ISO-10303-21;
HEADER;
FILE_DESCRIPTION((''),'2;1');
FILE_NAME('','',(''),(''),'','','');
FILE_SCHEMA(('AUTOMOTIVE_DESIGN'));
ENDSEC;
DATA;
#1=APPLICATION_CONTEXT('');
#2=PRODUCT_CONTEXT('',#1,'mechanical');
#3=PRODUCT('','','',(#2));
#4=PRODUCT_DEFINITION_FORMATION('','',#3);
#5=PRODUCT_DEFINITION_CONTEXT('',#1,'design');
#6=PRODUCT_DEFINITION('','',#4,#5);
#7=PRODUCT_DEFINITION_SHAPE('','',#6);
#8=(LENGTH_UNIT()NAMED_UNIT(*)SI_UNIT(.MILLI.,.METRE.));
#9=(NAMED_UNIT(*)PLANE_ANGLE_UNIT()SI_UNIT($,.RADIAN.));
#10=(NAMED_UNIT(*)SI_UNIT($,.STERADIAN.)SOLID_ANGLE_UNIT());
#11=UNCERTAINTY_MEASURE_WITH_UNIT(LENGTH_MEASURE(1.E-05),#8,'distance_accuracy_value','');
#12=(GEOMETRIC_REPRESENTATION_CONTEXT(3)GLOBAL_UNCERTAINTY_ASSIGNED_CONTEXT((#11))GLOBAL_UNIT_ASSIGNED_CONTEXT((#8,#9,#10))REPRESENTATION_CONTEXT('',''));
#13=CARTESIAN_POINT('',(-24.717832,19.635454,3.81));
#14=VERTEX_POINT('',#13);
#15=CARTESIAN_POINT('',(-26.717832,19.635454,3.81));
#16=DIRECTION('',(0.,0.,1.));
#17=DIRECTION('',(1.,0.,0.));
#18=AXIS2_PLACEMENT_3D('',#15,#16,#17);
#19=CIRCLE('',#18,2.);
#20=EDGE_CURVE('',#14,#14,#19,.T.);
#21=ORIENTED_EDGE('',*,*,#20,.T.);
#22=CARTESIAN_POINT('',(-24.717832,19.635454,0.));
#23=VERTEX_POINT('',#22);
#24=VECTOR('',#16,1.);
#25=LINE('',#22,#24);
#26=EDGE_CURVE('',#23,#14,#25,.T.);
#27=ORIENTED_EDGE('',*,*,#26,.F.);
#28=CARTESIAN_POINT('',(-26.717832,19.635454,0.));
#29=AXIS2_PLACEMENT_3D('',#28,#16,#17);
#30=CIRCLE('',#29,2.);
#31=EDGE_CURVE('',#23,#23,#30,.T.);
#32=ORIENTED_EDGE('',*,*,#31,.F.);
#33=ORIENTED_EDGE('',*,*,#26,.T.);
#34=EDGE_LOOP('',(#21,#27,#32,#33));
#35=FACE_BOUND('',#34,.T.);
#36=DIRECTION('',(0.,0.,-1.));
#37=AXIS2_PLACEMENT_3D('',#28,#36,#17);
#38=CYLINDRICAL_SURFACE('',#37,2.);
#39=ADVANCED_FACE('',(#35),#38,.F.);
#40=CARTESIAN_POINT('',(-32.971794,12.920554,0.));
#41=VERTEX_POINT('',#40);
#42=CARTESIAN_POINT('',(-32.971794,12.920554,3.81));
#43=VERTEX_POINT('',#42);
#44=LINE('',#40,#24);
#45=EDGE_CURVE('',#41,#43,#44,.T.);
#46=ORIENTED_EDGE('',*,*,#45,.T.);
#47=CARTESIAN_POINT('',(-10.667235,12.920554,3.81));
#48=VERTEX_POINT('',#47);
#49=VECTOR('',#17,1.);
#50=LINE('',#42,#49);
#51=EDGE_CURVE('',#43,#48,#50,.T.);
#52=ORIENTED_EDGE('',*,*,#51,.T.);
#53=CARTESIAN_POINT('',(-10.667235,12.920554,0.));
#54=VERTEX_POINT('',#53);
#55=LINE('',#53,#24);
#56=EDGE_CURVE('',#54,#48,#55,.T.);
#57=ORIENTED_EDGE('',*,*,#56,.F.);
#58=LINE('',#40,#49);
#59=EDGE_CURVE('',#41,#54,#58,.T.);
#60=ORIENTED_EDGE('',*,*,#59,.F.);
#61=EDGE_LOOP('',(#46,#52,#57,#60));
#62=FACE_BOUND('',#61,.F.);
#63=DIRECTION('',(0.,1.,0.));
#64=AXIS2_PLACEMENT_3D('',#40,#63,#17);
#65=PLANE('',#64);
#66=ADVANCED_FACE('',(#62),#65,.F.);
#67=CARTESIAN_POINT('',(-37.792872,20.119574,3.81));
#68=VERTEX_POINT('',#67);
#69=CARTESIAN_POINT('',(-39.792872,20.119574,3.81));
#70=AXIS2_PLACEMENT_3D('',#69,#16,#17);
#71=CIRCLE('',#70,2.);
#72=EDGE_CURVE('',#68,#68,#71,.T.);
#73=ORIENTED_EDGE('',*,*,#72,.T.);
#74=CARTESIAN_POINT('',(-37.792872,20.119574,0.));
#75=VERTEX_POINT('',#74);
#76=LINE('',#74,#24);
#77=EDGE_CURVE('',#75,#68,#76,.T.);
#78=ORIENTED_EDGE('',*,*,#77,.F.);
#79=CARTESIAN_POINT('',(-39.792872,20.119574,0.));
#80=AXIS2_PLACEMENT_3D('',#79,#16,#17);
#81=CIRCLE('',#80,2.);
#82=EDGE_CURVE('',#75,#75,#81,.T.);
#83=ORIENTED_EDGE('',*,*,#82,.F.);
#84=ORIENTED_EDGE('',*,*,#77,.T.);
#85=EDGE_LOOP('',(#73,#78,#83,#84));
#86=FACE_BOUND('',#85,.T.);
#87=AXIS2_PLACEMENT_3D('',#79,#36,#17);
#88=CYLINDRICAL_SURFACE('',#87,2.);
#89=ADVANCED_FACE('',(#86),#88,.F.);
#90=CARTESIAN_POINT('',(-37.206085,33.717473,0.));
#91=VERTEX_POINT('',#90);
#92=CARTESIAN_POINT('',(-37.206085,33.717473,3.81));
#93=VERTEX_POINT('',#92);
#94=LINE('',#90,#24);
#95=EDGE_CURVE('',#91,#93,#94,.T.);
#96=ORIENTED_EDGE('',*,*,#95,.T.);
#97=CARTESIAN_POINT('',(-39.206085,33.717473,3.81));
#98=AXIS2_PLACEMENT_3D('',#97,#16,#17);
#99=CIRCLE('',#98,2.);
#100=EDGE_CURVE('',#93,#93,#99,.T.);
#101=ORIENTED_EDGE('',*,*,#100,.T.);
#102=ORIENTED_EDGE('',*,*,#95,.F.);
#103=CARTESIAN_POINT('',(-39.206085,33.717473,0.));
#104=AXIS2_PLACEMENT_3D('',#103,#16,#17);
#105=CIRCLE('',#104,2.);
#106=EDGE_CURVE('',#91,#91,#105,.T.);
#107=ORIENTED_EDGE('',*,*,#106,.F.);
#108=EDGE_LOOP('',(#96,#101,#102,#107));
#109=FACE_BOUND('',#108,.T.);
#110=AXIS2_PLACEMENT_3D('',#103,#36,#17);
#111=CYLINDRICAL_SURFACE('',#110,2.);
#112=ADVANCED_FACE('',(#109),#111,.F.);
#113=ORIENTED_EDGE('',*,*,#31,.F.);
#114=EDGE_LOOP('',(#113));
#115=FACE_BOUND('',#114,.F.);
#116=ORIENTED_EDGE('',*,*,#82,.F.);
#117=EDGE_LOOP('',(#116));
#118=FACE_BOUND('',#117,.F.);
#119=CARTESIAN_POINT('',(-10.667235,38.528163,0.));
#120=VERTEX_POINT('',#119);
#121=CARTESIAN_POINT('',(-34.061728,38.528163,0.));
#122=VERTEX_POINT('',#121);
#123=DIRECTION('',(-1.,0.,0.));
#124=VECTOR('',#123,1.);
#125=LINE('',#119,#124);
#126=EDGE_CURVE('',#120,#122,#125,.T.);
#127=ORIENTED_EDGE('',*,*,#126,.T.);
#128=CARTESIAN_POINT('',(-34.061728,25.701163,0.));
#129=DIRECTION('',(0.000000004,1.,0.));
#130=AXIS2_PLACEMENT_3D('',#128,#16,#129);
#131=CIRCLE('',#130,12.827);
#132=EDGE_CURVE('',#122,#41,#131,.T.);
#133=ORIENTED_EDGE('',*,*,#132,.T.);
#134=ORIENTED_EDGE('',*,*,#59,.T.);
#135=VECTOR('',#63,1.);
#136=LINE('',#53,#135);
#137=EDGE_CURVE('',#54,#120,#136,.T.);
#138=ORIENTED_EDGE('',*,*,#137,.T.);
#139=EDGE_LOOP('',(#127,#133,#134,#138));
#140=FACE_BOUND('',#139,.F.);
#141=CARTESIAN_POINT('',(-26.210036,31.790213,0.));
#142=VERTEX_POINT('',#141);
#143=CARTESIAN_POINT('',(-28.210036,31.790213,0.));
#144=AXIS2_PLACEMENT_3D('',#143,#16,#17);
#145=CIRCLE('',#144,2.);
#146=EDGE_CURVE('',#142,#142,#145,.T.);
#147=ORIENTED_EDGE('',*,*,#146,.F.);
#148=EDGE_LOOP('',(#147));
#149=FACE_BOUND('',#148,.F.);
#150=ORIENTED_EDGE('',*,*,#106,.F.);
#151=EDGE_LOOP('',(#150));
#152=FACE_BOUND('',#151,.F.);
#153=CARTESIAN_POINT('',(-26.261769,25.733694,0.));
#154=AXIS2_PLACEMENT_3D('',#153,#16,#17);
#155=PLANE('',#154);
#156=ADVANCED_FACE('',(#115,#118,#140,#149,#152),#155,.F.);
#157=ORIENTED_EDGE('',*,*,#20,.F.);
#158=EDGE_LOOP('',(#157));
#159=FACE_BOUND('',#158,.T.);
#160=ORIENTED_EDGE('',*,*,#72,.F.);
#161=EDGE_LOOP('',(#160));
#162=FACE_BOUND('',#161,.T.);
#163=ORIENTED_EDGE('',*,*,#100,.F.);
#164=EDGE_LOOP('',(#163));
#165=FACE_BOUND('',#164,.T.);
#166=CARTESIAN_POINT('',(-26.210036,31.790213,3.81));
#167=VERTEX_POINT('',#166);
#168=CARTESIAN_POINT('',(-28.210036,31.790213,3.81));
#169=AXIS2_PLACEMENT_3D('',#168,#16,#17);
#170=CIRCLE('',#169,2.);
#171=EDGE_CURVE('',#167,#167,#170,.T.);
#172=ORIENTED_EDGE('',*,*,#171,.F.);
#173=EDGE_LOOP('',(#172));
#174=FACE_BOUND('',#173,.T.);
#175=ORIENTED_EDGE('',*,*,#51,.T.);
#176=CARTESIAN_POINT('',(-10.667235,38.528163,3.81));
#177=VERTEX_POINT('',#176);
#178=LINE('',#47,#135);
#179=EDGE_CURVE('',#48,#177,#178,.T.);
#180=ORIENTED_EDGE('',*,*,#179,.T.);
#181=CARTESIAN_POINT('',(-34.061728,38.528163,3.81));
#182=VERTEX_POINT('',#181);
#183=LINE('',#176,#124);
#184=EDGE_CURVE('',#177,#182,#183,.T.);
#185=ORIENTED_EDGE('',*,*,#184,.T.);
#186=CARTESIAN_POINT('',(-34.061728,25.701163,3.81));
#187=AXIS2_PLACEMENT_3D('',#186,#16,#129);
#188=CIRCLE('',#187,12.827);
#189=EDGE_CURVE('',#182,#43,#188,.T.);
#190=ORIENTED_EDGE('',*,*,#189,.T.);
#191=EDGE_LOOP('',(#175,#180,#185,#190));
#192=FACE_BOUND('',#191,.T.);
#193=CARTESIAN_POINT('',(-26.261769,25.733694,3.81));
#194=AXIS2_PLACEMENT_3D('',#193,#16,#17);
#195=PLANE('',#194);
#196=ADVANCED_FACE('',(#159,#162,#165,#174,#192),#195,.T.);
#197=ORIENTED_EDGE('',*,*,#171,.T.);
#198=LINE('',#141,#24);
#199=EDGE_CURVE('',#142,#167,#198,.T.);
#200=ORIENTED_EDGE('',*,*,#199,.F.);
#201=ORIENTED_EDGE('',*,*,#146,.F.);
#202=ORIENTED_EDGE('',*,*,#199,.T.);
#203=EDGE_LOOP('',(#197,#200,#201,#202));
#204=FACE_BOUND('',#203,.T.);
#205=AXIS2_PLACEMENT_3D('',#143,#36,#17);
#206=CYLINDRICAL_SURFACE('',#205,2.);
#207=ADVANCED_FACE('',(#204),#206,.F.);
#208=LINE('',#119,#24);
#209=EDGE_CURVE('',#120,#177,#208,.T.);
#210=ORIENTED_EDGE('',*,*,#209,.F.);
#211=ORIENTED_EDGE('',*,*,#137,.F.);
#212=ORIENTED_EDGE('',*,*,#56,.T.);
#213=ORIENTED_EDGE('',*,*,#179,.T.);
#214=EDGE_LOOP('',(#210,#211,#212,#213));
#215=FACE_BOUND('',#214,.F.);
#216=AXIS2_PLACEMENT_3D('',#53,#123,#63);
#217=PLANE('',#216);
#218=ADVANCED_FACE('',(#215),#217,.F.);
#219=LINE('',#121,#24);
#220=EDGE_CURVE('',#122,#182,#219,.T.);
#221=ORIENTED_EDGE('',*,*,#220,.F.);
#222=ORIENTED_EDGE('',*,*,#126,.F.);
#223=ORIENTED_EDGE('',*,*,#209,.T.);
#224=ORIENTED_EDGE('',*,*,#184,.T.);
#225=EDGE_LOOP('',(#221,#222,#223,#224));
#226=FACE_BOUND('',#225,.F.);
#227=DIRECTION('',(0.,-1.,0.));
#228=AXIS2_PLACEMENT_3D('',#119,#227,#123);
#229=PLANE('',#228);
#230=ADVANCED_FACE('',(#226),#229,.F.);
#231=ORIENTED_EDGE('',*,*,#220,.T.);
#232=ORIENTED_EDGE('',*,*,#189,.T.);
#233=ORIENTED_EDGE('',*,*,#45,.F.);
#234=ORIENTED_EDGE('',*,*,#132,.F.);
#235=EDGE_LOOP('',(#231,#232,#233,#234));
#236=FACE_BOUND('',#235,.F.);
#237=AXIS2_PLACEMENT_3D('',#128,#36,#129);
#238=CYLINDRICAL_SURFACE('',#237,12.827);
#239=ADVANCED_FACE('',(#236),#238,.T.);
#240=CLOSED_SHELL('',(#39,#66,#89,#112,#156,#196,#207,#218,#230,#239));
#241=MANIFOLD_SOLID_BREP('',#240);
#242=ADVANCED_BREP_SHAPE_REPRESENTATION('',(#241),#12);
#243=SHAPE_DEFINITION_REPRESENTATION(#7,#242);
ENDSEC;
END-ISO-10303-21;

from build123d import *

# Parameters (mm, degrees)
F0_R     = 2
F1_DEPTH = 3.81


with BuildPart() as f1:
    # F0 (on Top) → F1 (new body)
    with BuildSketch(Plane.XY):
        with BuildLine():
            Line((-10.667235, 38.528163), (-34.061728, 38.528163))
            ThreePointArc((-34.061728, 38.528163), (-46.877125, 25.155703), (-32.971794, 12.920554))
            Line((-32.971794, 12.920554), (-10.667235, 12.920554))
            Line((-10.667235, 12.920554), (-10.667235, 38.528163))
        make_face()
        with Locations((-39.792872, 20.119574)):
            Circle(F0_R, mode=Mode.SUBTRACT)
        with Locations((-26.717832, 19.635454)):
            Circle(F0_R, mode=Mode.SUBTRACT)
        with Locations((-39.206085, 33.717473)):
            Circle(F0_R, mode=Mode.SUBTRACT)
        with Locations((-28.210036, 31.790213)):
            Circle(F0_R, mode=Mode.SUBTRACT)
    extrude(amount=F1_DEPTH)


solid = f1.part
